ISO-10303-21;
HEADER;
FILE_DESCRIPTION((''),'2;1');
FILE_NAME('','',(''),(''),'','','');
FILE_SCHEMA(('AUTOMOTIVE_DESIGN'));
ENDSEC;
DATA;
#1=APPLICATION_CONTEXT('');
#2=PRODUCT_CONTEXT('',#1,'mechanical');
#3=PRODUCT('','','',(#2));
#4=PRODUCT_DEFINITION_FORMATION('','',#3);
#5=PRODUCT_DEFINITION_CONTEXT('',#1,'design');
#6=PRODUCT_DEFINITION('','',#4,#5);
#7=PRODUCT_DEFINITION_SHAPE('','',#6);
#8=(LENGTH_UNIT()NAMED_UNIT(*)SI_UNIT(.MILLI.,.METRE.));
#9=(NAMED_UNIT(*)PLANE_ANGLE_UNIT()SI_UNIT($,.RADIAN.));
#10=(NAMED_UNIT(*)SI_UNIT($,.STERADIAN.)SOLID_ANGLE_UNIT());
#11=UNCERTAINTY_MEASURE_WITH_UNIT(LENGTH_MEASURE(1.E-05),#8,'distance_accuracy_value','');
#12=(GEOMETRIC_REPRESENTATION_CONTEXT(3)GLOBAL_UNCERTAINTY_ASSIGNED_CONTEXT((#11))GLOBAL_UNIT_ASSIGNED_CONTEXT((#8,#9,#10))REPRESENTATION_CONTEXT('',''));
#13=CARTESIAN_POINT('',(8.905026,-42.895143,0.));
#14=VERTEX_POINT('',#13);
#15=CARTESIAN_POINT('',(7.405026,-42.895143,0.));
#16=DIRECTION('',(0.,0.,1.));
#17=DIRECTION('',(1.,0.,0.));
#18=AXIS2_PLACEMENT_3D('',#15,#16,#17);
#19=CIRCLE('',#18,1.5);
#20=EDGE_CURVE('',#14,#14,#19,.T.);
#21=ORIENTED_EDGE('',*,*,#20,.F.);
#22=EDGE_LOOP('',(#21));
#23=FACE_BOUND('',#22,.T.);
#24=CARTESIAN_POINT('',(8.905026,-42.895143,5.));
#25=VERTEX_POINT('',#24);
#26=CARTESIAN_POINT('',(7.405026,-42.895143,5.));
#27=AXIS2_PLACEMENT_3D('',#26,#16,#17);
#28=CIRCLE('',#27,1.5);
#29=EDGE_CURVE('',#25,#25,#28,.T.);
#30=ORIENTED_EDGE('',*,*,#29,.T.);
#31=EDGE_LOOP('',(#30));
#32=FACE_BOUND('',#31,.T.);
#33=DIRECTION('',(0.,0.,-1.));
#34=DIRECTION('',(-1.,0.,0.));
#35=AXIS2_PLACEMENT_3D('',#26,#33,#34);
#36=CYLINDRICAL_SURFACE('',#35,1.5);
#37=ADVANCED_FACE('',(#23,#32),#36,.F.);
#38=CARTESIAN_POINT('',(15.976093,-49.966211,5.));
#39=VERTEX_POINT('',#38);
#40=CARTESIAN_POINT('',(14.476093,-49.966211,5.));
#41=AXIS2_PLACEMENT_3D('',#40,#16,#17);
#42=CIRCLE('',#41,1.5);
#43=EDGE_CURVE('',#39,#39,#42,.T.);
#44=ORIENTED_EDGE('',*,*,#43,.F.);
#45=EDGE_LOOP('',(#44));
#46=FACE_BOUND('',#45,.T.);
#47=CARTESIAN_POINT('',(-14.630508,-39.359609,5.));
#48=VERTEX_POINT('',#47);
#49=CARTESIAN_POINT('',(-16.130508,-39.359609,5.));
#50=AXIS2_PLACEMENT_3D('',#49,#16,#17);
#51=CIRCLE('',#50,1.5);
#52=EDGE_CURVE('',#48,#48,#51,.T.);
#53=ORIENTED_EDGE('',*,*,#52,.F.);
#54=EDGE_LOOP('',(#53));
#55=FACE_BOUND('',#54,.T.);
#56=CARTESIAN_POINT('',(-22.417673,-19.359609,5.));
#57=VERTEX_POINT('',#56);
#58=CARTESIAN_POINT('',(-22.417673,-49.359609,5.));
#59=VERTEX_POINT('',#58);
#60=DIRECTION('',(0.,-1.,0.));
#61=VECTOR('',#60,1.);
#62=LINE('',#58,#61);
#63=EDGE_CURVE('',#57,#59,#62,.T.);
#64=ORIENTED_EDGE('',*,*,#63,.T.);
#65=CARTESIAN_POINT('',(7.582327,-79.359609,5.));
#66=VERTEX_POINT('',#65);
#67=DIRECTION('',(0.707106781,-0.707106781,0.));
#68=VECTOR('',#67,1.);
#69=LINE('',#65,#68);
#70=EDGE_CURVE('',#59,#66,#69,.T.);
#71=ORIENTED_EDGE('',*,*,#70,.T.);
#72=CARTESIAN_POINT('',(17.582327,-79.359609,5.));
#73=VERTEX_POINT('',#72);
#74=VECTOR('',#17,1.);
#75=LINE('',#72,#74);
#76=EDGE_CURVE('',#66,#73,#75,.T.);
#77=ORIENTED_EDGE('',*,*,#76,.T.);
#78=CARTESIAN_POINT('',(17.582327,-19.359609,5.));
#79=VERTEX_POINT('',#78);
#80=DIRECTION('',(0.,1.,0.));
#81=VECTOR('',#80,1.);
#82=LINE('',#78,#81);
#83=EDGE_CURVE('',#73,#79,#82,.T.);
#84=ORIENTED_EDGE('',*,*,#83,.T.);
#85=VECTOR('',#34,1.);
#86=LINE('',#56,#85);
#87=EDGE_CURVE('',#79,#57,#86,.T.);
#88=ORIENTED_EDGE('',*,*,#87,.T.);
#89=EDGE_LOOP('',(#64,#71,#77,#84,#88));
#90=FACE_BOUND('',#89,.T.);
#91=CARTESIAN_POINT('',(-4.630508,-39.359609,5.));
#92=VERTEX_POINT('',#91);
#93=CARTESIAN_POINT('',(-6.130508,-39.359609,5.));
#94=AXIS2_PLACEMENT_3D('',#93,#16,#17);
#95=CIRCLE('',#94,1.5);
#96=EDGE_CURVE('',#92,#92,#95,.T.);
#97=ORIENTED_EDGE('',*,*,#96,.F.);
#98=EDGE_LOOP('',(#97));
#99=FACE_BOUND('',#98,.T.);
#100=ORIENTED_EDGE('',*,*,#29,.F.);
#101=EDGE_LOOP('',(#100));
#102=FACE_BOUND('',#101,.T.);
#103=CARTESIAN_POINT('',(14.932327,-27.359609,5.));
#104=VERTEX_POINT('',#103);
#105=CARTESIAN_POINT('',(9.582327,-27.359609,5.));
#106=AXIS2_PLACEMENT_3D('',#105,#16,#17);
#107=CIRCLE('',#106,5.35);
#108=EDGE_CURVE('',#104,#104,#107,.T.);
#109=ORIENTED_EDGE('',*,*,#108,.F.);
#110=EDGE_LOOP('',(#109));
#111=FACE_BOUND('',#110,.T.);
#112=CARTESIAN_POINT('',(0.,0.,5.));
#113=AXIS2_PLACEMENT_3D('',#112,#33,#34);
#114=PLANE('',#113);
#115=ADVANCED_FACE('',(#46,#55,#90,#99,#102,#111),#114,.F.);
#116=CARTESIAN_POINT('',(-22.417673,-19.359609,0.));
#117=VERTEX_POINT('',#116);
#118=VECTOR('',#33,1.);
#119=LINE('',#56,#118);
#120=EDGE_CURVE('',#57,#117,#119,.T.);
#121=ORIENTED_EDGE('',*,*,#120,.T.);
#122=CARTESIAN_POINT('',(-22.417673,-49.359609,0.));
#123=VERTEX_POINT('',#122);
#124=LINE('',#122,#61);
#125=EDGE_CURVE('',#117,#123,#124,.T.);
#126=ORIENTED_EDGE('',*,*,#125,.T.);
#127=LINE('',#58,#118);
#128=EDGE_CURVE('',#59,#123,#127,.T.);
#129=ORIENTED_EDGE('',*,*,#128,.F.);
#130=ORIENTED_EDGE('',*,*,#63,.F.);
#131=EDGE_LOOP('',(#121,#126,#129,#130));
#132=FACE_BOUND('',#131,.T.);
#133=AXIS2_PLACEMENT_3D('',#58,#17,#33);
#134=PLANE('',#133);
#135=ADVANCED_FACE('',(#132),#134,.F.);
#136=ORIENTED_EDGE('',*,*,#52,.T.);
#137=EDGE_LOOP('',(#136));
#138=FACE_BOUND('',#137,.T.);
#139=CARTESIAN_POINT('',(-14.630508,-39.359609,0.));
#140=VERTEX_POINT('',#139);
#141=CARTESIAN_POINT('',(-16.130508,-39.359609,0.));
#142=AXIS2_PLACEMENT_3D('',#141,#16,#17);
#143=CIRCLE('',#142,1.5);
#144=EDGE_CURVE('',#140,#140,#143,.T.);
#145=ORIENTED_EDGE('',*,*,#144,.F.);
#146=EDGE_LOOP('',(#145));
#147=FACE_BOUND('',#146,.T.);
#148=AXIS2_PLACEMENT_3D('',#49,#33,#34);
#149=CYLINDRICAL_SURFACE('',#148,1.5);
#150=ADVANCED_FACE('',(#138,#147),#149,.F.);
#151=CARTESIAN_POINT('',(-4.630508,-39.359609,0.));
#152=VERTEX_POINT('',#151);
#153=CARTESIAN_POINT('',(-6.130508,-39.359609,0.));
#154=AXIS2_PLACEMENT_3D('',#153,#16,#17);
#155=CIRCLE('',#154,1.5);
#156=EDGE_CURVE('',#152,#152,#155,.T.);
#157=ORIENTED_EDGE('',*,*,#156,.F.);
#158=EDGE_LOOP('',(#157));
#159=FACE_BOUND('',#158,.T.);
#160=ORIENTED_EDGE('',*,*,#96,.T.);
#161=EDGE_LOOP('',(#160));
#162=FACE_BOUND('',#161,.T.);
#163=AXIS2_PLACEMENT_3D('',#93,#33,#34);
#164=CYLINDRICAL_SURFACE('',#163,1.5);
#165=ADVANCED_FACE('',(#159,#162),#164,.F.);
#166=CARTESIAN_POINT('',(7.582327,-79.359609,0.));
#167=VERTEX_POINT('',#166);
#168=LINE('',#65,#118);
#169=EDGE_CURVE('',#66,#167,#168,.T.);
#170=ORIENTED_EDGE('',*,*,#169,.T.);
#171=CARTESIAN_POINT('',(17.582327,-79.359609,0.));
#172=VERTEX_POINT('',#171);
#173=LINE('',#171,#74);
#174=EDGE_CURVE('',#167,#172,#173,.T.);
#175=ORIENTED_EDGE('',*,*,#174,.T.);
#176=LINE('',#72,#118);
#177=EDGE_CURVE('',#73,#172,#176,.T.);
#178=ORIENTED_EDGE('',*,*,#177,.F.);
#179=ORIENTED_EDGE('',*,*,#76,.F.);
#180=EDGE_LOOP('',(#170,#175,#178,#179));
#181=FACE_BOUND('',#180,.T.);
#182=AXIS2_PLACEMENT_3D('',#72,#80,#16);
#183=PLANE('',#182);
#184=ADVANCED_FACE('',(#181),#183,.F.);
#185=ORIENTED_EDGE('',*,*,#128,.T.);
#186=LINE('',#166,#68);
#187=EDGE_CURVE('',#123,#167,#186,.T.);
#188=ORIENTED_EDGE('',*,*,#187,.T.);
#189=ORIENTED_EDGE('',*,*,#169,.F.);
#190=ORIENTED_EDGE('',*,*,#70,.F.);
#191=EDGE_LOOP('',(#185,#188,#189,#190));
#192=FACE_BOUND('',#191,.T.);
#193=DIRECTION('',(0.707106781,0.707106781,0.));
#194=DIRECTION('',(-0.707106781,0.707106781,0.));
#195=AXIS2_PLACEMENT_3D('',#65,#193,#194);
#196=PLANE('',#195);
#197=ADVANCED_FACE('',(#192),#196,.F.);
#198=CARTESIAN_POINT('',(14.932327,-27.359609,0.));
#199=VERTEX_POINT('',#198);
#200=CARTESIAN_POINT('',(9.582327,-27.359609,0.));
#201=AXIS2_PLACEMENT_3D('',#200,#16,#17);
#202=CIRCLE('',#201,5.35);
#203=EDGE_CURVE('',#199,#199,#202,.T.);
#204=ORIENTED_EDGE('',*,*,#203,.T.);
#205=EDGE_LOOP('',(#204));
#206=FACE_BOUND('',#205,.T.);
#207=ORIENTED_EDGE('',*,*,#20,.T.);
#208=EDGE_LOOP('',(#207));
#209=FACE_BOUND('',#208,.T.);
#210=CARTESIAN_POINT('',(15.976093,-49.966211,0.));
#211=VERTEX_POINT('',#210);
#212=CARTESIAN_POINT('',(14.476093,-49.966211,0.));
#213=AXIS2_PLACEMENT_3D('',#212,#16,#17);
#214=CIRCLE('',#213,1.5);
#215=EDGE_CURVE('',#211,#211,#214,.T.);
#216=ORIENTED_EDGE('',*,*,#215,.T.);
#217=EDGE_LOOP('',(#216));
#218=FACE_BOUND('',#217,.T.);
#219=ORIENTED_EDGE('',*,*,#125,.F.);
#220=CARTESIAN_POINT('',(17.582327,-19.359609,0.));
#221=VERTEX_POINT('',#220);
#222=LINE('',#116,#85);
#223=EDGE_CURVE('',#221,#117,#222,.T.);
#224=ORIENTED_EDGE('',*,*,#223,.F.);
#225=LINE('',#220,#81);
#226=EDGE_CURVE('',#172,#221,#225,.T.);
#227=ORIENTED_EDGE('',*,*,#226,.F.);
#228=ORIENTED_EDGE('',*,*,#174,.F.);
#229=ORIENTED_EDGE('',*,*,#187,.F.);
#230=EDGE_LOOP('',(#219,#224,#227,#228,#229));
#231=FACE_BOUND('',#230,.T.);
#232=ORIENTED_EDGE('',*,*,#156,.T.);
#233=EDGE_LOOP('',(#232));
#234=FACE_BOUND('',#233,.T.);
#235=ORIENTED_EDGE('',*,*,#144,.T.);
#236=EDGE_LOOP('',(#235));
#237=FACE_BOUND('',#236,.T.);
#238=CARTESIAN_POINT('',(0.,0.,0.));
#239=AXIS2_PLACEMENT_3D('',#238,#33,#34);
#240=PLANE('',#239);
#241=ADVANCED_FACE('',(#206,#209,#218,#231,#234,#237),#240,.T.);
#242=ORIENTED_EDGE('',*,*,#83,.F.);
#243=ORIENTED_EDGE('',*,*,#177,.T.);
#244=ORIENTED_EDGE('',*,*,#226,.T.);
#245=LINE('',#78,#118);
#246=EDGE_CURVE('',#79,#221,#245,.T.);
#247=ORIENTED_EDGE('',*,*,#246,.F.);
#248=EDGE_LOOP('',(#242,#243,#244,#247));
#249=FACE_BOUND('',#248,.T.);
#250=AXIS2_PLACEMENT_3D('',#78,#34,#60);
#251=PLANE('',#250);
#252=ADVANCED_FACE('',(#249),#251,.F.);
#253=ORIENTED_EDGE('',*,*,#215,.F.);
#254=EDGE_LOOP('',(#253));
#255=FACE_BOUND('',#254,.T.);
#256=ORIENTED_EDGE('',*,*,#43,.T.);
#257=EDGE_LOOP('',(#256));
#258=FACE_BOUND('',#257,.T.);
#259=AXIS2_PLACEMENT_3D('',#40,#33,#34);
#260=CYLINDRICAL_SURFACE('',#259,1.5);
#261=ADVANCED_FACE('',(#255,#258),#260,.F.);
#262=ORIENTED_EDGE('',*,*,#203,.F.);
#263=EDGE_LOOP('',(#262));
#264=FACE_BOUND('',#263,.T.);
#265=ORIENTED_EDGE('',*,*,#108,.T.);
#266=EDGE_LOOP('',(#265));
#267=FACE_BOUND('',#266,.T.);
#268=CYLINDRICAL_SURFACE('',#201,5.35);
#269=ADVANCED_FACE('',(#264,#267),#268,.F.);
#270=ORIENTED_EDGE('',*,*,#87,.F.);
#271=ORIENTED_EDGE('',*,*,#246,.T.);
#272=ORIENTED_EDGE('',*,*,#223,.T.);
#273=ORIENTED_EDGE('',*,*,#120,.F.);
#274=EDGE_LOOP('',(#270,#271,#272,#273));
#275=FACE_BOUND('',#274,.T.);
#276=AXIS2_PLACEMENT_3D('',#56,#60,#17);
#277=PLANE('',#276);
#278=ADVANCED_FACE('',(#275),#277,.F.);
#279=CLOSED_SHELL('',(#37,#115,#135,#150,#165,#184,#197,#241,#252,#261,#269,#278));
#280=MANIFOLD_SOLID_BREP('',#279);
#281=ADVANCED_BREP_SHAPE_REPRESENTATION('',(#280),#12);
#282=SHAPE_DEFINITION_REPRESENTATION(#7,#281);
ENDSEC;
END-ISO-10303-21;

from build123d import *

# Parameters (mm, degrees)
SKETCH1_R           = 1.5
SKETCH1_R_2         = 4
BOSS_EXTRUDE1_DEPTH = 5
SKETCH2_R           = 5.35
CUT_EXTRUDE1_DEPTH  = 5


with BuildPart() as part:
    # Sketch1 → Boss-Extrude1 (new body)
    with BuildSketch(Plane.XY):
        Polygon((-22.417673347, -49.359609207), (-22.417673347, -19.359609207), (17.582326653, -19.359609207), (17.582326653, -79.359609207), (7.582326653, -79.359609207), align=None)
        with Locations((-16.130508289, -39.359609207)):
            Circle(SKETCH1_R, mode=Mode.SUBTRACT)
        with Locations((-6.130508289, -39.359609207)):
            Circle(SKETCH1_R, mode=Mode.SUBTRACT)
        with Locations((7.405025617, -42.895143113)):
            Circle(SKETCH1_R, mode=Mode.SUBTRACT)
        with Locations((14.476093428, -49.966210925)):
            Circle(SKETCH1_R, mode=Mode.SUBTRACT)
        with Locations((9.582326653, -27.359609207)):
            Circle(SKETCH1_R_2, mode=Mode.SUBTRACT)
    extrude(amount=BOSS_EXTRUDE1_DEPTH)

    # Sketch2 → Cut-Extrude1 (cut)
    with BuildSketch(Plane.XY.offset(5)):
        with Locations((9.582326653, -27.359609207)):
            Circle(SKETCH2_R)
    extrude(amount=-CUT_EXTRUDE1_DEPTH, mode=Mode.SUBTRACT)


solid = part.part
